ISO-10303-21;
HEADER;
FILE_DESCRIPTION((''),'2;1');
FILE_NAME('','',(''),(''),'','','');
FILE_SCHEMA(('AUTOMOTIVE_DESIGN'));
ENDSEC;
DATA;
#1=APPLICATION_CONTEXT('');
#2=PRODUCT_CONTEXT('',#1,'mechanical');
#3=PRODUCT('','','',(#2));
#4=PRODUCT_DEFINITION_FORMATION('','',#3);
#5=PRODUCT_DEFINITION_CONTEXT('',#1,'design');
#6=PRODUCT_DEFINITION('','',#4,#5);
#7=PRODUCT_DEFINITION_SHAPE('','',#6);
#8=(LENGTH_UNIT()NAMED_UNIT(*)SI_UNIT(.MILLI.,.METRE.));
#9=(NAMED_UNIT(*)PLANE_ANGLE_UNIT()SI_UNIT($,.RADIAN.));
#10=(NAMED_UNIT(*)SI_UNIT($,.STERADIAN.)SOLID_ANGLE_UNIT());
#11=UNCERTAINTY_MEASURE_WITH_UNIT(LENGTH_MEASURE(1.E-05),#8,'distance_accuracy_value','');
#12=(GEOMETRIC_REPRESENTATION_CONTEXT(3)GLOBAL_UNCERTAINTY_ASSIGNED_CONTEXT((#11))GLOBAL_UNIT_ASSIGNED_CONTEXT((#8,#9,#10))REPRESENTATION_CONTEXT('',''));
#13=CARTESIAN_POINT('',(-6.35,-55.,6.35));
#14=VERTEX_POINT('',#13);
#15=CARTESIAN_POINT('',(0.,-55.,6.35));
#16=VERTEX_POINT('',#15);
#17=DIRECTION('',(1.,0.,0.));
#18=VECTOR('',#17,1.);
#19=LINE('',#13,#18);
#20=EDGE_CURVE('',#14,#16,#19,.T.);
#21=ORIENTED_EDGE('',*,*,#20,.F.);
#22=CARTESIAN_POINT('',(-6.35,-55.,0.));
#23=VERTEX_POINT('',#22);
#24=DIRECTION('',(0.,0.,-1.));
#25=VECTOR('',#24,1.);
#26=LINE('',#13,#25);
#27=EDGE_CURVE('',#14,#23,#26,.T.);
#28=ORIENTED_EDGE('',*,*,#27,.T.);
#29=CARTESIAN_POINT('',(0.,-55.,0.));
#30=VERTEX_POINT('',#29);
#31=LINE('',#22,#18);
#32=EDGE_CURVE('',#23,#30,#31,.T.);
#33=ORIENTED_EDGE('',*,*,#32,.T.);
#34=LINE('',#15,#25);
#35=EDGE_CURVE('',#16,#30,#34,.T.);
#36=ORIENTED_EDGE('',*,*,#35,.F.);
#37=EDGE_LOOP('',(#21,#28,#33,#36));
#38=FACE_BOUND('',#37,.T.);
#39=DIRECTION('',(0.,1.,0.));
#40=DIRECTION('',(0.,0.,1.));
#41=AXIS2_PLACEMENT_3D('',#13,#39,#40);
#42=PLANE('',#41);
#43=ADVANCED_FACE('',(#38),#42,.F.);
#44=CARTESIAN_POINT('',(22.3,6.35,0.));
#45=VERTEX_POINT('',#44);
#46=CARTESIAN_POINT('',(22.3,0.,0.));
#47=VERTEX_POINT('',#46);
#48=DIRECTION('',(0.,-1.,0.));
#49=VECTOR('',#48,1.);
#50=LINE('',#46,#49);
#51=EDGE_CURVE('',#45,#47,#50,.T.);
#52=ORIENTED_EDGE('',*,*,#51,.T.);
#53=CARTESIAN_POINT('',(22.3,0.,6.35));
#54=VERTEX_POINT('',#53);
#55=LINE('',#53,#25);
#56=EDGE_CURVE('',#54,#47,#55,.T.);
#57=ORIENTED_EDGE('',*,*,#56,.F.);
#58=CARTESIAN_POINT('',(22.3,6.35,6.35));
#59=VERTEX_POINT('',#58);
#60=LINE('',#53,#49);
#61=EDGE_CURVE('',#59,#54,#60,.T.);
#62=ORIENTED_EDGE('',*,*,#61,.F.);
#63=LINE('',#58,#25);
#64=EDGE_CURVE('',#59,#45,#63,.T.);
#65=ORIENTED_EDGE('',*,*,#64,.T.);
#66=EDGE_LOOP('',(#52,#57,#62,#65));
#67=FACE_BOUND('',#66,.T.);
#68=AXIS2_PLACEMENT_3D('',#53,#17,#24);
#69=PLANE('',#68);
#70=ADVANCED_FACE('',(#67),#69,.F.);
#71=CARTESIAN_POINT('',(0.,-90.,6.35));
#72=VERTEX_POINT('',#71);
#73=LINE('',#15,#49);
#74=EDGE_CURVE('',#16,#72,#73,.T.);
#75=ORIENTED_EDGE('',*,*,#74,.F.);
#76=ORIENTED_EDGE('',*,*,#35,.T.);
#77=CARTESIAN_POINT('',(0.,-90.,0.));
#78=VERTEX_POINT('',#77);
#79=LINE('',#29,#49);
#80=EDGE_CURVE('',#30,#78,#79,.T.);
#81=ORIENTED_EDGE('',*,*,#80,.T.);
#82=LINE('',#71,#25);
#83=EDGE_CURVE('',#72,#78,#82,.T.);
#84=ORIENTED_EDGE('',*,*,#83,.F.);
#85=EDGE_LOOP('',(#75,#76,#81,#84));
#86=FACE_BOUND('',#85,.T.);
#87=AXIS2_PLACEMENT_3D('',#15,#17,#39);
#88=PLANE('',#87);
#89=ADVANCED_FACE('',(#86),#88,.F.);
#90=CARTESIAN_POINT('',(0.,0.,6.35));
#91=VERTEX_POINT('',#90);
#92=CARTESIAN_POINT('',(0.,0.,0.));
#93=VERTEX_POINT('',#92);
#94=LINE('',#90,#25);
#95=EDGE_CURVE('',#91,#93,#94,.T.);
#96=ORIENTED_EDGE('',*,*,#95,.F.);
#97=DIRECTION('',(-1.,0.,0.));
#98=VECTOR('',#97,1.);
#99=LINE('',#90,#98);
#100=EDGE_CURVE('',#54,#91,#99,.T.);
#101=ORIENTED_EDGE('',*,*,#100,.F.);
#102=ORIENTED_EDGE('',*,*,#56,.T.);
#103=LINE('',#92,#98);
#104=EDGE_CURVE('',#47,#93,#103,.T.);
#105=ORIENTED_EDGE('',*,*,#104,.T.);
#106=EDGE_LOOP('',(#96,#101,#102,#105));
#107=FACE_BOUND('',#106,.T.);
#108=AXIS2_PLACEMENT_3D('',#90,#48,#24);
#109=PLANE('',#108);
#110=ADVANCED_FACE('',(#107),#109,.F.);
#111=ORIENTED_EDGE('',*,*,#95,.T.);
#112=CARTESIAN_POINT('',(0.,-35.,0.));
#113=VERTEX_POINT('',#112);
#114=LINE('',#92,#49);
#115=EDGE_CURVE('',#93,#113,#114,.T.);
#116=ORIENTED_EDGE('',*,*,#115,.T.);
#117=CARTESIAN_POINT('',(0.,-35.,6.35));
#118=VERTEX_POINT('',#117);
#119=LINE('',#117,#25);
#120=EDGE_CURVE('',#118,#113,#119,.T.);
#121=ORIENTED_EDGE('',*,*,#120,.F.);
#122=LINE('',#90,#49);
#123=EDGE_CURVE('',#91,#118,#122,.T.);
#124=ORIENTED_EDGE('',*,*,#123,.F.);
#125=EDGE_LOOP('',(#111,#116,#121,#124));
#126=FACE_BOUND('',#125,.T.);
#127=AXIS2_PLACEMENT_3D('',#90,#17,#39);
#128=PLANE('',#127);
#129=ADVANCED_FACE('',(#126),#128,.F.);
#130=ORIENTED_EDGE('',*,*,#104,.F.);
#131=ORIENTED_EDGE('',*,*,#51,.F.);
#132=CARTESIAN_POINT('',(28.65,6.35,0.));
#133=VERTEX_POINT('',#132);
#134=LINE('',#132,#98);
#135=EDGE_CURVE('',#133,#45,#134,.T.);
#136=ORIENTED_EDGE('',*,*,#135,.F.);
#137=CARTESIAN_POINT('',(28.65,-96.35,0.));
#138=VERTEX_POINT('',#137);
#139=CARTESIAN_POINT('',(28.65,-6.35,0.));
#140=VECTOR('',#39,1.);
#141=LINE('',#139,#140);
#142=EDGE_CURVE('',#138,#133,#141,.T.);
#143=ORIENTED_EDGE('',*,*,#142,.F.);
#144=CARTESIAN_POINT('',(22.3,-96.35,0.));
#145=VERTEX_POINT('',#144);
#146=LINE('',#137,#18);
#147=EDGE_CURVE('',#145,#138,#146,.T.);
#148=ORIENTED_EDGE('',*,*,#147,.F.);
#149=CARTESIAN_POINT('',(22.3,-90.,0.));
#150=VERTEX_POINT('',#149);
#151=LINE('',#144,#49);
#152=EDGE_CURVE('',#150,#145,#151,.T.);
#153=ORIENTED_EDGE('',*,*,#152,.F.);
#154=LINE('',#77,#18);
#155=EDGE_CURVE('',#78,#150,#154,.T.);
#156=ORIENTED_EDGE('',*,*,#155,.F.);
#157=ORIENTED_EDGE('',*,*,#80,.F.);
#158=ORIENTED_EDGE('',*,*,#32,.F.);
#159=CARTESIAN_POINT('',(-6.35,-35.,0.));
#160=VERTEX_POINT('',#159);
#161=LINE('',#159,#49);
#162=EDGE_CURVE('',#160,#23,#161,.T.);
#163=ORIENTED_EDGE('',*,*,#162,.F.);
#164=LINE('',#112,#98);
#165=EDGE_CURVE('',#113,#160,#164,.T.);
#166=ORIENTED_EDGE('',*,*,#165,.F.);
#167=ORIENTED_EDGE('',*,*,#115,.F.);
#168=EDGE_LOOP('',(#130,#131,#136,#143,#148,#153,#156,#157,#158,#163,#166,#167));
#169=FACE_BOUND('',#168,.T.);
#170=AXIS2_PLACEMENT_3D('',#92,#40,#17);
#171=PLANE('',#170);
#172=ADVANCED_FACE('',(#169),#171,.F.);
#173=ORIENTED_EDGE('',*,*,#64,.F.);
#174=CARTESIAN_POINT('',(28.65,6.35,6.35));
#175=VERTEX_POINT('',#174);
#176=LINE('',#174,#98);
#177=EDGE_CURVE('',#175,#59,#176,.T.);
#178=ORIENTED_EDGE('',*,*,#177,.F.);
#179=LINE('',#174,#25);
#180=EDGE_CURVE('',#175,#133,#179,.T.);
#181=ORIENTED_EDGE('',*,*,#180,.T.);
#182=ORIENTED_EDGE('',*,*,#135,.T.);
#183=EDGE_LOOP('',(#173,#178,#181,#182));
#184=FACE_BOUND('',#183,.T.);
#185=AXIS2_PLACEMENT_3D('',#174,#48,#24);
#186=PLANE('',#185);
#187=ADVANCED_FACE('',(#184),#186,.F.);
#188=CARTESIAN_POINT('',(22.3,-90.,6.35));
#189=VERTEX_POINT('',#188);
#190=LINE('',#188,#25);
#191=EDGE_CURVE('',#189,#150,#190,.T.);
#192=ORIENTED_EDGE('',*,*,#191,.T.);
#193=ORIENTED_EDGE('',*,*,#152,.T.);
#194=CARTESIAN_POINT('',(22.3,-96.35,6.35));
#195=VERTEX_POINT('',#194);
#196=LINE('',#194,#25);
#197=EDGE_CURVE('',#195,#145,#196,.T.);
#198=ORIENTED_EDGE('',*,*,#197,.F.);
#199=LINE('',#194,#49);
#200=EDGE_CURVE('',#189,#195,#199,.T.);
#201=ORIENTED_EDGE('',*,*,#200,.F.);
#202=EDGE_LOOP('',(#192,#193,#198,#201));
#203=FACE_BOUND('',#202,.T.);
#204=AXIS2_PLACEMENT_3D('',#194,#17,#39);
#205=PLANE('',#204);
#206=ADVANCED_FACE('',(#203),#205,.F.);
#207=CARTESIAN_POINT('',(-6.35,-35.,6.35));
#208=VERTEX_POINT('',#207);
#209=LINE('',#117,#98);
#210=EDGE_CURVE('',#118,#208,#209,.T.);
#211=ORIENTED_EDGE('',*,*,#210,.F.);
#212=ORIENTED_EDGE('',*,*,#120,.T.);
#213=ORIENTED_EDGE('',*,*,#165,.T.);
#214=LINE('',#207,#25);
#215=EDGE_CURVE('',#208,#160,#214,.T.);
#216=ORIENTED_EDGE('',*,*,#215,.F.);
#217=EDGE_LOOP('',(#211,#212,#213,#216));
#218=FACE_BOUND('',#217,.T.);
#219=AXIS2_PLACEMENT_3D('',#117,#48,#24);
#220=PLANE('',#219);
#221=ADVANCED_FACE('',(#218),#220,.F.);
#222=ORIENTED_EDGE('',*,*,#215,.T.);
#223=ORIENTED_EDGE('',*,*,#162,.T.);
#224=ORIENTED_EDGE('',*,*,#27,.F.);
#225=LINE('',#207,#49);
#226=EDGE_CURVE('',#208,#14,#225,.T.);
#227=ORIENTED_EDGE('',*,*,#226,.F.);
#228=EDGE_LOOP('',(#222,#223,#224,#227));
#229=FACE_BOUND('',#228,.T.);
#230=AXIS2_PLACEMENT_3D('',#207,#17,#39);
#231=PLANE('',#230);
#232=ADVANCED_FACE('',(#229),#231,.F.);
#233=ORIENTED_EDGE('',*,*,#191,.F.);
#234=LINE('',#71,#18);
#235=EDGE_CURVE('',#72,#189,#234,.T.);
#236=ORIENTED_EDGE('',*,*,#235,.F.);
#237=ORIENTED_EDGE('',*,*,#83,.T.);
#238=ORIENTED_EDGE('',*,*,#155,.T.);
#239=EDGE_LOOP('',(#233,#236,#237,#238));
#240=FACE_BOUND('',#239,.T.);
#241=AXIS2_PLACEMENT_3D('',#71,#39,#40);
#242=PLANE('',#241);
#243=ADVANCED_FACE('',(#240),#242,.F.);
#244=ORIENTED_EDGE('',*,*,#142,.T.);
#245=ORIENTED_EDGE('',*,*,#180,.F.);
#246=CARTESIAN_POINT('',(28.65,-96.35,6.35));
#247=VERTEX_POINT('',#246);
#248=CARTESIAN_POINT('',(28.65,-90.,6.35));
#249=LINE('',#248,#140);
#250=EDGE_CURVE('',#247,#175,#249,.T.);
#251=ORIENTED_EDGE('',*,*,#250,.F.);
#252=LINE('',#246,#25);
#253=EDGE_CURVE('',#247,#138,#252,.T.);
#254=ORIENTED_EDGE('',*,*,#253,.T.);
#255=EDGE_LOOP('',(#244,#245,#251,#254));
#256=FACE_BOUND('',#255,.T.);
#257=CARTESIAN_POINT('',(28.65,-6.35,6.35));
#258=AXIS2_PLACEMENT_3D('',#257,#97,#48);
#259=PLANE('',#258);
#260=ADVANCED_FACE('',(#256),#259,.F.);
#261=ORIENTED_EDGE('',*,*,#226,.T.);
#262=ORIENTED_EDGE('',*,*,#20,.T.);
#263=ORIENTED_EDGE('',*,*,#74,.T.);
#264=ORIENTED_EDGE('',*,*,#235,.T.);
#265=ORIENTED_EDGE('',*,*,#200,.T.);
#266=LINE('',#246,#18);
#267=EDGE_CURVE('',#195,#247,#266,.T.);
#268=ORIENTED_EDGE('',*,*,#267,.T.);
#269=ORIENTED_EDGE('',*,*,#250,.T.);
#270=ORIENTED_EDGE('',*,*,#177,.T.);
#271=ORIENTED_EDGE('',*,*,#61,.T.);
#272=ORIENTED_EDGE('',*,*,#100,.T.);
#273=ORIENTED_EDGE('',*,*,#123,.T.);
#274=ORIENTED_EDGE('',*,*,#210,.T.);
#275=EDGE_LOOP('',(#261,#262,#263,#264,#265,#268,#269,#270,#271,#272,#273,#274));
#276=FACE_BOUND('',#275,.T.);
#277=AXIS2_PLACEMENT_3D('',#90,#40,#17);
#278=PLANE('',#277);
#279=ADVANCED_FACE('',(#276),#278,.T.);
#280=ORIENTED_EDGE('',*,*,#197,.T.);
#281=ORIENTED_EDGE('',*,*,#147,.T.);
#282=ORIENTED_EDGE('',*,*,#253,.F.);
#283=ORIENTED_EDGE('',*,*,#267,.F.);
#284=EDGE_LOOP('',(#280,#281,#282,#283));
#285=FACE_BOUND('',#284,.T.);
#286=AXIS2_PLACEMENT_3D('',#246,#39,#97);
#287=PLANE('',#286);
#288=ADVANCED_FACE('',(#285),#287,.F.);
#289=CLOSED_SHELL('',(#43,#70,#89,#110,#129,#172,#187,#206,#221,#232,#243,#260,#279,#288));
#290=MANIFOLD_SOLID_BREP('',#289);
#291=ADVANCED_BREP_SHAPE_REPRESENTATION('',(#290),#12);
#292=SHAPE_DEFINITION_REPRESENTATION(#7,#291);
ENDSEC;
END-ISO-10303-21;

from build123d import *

# Parameters (mm, degrees)
BOSS_EXTRUDE1_DEPTH = 6.35


with BuildPart() as part:
    # Sketch1 → Boss-Extrude1 (new body)
    with BuildSketch(Plane.XY):
        Polygon((0, 0), (0, -35), (-6.35, -35), (-6.35, -55), (0, -55), (0, -90), (22.3, -90), (22.3, -96.35), (28.65, -96.35), (28.65, -90), (28.65, -6.35), (28.65, 6.35), (22.3, 6.35), (22.3, 0), align=None)
    extrude(amount=BOSS_EXTRUDE1_DEPTH)


solid = part.part
